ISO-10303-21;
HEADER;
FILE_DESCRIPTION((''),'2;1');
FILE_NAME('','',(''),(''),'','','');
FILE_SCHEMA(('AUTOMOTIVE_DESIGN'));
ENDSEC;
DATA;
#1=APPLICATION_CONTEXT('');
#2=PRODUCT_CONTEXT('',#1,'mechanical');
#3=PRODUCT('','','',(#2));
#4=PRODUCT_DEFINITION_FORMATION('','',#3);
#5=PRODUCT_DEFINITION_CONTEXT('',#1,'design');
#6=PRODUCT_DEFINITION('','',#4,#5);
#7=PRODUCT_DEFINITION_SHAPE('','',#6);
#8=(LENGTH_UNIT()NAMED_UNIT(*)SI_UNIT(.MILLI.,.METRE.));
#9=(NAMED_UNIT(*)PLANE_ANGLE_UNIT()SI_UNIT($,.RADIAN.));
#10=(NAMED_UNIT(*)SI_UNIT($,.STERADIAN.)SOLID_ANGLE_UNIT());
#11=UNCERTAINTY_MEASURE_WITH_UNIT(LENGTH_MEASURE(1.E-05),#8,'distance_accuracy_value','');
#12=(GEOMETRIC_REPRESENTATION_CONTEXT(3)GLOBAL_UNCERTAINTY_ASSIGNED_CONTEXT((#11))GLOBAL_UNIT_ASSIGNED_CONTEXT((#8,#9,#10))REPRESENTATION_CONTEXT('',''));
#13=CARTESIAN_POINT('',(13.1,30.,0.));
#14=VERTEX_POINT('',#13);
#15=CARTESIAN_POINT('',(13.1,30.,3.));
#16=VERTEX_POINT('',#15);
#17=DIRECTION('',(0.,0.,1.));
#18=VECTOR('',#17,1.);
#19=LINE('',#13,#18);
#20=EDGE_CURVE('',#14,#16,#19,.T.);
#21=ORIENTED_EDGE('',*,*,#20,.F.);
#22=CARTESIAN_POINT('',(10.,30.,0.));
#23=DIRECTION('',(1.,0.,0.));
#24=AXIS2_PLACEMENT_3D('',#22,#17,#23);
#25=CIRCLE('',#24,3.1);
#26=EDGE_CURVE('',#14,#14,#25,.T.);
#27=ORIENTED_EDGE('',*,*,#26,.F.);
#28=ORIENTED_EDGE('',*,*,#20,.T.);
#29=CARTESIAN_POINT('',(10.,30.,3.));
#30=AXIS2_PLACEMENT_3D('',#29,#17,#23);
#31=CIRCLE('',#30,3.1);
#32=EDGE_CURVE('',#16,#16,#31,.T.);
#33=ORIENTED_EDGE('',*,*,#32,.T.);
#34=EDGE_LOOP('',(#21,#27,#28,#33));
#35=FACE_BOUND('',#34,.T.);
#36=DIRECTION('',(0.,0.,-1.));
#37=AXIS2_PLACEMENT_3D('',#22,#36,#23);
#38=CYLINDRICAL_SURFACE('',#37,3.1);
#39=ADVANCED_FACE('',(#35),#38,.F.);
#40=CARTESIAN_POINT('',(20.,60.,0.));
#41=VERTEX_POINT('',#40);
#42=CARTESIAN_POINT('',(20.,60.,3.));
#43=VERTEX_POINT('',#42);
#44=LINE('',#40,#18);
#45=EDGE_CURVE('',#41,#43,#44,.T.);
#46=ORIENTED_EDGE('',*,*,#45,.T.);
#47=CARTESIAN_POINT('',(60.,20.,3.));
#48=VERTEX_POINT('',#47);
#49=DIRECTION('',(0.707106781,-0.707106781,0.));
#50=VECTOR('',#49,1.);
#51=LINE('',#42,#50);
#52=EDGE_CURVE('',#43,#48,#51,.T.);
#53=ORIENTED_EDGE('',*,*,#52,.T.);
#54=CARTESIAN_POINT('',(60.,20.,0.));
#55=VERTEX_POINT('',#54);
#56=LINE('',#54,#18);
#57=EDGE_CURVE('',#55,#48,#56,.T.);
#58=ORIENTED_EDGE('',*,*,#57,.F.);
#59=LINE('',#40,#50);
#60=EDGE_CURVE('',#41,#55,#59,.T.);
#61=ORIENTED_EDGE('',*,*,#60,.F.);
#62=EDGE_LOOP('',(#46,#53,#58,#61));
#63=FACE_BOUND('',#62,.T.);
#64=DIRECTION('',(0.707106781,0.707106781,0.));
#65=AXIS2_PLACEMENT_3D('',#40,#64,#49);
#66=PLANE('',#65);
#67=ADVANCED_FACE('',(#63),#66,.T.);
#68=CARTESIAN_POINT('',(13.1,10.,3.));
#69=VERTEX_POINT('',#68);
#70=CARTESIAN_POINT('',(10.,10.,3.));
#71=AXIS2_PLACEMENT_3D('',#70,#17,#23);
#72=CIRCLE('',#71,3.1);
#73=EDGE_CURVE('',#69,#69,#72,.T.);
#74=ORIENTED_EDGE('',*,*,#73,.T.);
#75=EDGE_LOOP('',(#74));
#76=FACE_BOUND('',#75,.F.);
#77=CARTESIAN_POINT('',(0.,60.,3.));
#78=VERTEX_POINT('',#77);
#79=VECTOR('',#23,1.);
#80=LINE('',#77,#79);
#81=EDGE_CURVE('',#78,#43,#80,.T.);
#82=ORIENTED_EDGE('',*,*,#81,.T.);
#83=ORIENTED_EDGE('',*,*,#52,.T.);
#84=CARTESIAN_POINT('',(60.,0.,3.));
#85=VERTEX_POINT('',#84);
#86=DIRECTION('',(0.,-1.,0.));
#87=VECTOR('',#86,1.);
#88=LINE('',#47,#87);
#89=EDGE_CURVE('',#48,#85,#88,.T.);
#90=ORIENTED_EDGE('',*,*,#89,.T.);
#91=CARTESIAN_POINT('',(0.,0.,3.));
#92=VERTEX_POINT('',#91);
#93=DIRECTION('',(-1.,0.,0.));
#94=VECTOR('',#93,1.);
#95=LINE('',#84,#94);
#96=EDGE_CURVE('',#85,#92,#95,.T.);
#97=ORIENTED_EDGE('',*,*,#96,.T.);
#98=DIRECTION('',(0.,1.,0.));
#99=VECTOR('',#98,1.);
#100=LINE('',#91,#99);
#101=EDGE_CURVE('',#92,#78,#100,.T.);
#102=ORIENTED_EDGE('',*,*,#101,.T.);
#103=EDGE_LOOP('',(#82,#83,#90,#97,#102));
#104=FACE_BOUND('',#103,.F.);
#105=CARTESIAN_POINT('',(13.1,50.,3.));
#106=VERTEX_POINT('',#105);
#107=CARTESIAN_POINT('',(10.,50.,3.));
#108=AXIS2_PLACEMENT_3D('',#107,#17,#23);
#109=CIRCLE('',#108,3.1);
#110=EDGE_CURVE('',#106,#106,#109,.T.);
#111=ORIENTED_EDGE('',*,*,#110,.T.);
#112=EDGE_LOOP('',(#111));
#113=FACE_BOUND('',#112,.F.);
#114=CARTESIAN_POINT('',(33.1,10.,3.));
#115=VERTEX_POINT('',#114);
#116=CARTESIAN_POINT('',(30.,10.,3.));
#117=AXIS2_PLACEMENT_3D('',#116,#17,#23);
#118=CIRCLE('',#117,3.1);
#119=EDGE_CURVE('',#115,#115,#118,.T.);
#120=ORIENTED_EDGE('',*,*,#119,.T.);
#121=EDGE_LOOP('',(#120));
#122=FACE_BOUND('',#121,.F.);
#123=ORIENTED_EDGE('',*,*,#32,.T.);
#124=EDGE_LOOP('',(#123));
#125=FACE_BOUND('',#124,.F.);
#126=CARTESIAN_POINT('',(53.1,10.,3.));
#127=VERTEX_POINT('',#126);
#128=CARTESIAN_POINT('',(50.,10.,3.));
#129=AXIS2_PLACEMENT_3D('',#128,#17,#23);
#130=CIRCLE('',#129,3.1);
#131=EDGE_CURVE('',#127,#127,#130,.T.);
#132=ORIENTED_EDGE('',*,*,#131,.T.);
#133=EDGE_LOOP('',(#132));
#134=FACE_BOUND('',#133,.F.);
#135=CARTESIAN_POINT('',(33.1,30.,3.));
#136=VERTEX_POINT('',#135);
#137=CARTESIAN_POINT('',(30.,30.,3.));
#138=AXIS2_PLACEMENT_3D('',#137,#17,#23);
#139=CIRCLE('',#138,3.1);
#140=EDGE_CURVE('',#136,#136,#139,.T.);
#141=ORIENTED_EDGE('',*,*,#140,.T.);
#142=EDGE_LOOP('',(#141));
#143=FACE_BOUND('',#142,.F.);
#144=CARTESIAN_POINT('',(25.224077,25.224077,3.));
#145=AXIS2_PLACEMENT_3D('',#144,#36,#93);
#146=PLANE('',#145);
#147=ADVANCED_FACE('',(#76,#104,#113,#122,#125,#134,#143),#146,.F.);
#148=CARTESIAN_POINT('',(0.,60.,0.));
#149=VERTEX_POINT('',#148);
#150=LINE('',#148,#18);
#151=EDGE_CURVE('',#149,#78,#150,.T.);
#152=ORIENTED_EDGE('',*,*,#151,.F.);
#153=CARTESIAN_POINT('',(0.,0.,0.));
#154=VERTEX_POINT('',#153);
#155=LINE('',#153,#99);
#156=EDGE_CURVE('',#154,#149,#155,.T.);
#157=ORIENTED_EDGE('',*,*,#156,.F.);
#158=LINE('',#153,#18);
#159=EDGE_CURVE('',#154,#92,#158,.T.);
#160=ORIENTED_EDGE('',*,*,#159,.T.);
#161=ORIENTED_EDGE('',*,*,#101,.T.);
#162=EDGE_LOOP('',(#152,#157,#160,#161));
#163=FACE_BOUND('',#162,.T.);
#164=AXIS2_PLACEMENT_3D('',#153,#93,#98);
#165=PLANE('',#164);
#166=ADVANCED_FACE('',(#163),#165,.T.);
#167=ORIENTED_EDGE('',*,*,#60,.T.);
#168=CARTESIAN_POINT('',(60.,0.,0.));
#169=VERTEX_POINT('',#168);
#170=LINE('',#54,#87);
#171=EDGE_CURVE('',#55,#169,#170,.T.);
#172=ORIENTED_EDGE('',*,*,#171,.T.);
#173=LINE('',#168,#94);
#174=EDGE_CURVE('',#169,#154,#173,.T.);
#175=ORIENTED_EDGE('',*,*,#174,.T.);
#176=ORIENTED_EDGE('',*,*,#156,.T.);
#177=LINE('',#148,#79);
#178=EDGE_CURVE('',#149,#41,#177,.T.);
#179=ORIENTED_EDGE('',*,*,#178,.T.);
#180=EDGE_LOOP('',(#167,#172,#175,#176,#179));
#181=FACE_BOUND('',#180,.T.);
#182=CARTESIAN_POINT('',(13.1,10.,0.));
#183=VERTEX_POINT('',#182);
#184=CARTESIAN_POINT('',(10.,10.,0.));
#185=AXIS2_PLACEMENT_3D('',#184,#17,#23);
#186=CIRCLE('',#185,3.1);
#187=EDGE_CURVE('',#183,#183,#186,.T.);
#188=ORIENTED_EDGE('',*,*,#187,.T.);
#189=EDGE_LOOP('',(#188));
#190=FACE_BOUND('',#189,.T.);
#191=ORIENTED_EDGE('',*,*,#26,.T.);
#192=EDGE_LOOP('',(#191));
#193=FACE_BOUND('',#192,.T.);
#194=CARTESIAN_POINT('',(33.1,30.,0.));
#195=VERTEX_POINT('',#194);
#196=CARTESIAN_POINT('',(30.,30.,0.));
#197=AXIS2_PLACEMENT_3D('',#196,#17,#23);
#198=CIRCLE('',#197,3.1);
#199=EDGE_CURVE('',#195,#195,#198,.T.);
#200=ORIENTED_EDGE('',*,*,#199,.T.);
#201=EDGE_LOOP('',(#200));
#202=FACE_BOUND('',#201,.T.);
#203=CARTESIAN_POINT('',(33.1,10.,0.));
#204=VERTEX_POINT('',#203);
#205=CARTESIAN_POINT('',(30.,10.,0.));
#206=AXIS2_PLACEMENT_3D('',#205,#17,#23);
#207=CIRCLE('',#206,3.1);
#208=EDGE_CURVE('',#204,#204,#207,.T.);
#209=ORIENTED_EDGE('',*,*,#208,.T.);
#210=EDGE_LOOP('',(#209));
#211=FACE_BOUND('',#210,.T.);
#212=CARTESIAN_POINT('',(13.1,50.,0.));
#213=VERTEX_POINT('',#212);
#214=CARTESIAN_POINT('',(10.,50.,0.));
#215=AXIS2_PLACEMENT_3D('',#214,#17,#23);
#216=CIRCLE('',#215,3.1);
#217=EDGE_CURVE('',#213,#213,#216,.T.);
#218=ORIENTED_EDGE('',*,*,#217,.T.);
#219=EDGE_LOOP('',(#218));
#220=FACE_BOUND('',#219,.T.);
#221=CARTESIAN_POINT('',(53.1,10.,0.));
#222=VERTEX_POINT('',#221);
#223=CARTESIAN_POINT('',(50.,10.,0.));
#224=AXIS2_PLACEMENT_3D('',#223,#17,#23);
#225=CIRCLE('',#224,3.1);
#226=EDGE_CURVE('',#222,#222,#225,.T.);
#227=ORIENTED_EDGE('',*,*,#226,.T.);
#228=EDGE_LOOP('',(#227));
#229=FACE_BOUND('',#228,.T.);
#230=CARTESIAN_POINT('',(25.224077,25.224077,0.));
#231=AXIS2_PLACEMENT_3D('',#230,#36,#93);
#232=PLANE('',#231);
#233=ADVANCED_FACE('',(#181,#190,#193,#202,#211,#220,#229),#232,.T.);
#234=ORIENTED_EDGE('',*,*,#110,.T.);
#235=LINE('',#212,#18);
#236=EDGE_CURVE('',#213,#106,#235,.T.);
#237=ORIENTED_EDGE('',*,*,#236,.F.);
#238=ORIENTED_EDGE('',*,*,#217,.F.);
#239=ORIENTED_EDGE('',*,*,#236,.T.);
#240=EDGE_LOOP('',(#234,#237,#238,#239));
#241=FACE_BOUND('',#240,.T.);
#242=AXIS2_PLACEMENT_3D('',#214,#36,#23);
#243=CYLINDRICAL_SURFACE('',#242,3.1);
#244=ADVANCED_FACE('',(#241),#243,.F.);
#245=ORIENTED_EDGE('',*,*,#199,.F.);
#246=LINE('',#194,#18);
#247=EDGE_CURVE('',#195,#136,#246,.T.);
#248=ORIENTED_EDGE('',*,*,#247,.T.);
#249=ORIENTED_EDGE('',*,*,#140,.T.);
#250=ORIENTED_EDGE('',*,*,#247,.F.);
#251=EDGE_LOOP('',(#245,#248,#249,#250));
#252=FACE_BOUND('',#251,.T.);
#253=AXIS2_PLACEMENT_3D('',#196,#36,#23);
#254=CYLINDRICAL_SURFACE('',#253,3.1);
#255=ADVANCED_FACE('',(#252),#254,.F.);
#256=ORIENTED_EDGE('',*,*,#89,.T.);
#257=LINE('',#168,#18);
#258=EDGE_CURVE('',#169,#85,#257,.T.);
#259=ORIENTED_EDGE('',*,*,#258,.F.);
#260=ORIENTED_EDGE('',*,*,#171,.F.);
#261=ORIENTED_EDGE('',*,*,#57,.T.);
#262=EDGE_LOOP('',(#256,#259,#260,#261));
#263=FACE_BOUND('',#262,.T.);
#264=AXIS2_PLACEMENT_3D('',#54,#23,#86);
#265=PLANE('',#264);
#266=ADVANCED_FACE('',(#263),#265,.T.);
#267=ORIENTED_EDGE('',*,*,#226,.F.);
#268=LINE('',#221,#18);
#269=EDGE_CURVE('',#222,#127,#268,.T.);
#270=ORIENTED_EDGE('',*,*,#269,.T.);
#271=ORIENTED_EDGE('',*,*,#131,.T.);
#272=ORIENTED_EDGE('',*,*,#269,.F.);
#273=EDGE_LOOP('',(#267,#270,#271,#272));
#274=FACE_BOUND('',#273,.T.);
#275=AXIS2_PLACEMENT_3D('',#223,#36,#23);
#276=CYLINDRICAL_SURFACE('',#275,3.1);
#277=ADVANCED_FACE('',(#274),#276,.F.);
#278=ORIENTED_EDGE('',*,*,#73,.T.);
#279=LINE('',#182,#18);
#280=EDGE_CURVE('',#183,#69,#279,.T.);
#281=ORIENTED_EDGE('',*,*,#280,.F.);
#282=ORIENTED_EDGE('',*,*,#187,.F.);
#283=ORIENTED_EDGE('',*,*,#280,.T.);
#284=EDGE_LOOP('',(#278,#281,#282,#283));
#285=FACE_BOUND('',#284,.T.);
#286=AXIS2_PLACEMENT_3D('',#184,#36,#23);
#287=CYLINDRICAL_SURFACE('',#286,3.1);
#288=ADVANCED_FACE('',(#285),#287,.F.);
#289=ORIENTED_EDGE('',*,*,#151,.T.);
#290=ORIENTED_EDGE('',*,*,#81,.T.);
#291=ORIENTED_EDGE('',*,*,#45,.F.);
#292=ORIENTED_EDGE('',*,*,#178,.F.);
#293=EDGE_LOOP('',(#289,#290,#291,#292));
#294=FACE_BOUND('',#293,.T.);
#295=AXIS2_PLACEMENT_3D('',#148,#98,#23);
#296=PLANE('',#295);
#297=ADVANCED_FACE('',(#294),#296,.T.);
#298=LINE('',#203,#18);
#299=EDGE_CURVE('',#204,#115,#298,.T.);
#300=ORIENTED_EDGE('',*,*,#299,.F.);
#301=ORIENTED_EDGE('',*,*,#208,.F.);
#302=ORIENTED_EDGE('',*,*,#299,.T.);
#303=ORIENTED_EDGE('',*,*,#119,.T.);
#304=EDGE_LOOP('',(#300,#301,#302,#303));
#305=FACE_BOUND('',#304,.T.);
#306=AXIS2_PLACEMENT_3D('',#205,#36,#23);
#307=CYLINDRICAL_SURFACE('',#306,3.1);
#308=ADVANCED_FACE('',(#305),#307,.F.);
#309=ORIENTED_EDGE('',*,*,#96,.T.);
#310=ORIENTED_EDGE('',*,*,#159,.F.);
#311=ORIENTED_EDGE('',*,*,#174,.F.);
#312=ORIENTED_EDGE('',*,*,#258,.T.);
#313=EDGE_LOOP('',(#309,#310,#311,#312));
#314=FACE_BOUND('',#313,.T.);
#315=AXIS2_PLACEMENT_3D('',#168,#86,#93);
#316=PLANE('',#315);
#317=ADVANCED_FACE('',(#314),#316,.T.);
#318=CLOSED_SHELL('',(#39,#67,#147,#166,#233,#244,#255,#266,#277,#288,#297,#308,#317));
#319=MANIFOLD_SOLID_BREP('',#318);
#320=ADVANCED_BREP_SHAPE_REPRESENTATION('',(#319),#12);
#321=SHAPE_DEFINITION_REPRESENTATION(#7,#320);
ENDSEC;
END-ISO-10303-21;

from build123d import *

# Parameters (mm, degrees)
SKETCH_R  = 3.1
PAD_DEPTH = 3


with BuildPart() as part:
    # Sketch → Pad (new body)
    with BuildSketch(Plane.XY):
        Polygon((0, 60), (20, 60), (60, 20), (60, 0), (0, 0), align=None)
        with Locations((10, 10)):
            Circle(SKETCH_R, mode=Mode.SUBTRACT)
        with Locations((10, 30)):
            Circle(SKETCH_R, mode=Mode.SUBTRACT)
        with Locations((10, 50)):
            Circle(SKETCH_R, mode=Mode.SUBTRACT)
        with Locations((30, 10)):
            Circle(SKETCH_R, mode=Mode.SUBTRACT)
        with Locations((50, 10)):
            Circle(SKETCH_R, mode=Mode.SUBTRACT)
        with Locations((30, 30)):
            Circle(SKETCH_R, mode=Mode.SUBTRACT)
    extrude(amount=PAD_DEPTH)


solid = part.part
